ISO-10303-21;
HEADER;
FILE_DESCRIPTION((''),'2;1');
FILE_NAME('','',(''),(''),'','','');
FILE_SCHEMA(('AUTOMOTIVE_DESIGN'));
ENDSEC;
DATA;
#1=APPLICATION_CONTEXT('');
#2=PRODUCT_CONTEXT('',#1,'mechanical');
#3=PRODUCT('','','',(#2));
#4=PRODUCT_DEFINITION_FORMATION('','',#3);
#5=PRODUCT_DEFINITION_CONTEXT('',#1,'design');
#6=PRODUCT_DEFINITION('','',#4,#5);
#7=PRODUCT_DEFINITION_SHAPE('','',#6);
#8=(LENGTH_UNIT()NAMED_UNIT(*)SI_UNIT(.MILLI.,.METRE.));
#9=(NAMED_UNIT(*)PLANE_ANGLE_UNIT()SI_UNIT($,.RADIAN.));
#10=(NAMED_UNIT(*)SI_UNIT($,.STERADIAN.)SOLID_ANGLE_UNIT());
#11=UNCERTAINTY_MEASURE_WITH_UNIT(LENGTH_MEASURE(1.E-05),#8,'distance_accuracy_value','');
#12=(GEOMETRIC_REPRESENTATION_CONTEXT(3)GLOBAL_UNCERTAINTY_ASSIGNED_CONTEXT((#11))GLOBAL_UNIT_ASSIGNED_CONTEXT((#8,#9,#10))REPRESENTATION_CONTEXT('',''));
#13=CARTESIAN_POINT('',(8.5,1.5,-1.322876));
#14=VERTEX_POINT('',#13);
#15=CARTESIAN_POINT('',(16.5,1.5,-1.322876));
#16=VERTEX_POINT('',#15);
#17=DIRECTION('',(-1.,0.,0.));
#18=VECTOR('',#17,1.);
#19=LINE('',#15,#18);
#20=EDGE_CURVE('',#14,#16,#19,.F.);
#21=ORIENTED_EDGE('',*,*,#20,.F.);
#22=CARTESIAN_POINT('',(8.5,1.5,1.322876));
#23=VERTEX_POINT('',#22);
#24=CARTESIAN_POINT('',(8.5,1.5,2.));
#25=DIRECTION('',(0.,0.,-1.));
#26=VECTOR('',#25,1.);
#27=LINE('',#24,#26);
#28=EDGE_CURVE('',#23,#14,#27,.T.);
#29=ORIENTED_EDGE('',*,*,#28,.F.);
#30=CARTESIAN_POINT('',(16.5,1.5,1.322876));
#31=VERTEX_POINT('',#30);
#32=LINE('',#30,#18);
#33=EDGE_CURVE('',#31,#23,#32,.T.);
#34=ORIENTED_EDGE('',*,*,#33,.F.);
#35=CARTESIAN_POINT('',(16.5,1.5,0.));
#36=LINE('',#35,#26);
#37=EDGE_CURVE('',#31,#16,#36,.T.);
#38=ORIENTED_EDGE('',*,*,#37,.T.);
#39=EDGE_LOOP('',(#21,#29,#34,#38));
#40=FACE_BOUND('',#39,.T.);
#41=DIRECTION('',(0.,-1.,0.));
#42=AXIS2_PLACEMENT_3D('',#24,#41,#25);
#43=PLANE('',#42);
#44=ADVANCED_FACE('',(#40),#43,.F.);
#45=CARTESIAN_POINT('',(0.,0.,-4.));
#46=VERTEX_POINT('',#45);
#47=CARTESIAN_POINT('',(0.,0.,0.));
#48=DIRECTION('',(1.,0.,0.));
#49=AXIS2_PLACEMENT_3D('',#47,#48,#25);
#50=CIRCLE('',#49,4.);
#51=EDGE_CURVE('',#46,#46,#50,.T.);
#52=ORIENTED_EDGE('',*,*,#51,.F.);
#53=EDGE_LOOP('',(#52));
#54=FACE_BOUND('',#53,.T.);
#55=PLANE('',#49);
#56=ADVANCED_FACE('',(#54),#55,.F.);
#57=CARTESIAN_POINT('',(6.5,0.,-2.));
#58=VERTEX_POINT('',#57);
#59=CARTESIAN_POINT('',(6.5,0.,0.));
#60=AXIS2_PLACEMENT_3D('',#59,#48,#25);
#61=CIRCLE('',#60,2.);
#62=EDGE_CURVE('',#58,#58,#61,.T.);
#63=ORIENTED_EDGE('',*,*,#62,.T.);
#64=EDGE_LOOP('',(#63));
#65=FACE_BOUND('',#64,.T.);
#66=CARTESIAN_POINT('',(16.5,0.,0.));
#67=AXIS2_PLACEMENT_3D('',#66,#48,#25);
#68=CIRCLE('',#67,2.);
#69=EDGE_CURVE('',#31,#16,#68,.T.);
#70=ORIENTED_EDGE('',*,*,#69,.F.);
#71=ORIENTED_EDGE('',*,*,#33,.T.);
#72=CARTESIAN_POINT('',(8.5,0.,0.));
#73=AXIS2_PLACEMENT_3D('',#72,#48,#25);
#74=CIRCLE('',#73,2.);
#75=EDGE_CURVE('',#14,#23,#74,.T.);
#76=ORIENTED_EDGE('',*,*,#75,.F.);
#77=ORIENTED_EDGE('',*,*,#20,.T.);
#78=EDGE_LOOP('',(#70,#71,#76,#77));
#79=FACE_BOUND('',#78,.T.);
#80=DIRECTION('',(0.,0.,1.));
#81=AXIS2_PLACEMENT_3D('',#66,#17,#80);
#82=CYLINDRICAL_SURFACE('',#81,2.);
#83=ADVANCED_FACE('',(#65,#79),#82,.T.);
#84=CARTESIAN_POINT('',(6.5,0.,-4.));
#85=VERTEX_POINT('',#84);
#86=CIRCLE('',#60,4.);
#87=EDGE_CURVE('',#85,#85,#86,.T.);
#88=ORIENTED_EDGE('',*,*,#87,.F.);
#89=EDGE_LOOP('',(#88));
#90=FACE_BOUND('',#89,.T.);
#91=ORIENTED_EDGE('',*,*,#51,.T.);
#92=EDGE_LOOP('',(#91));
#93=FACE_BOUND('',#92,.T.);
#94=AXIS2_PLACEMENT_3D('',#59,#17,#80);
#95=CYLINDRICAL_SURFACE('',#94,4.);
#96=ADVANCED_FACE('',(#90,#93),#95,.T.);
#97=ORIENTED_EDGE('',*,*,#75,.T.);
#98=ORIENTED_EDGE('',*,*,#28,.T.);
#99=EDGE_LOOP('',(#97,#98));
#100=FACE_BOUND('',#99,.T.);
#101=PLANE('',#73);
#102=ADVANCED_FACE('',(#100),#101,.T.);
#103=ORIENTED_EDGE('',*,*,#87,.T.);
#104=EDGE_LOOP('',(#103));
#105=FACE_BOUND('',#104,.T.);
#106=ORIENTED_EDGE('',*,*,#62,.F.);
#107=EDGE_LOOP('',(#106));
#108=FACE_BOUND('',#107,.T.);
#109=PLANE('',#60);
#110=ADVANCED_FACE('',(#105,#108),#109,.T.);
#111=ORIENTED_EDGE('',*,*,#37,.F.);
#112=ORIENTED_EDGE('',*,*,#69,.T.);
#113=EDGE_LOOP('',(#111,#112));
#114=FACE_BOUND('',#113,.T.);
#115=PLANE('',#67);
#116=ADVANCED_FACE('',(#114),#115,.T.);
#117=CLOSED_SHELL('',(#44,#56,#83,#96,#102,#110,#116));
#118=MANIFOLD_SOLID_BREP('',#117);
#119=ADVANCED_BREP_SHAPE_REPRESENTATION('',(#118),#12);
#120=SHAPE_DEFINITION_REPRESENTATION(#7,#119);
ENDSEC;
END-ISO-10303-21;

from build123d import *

# Parameters (mm, degrees)
ESQUISSE1_R             = 4
BOSS_EXTRU_1_DEPTH      = 6.5
ESQUISSE2_R             = 2
BOSS_EXTRU_2_DEPTH      = 10
ESQUISSE3_W             = 4
ESQUISSE3_H             = 0.5
ENL_V_MAT_EXTRU_1_DEPTH = 8


with BuildPart() as part:
    # Esquisse1 → Boss.-Extru.1 (new body)
    with BuildSketch(Plane(origin=(0, 0, 0), x_dir=(0, 0, -1), z_dir=(1, 0, 0))):
        Circle(ESQUISSE1_R)
    extrude(amount=BOSS_EXTRU_1_DEPTH)

    # Esquisse2 → Boss.-Extru.2 (add)
    with BuildSketch(Plane(origin=(6.5, 0, 0), x_dir=(0, 0, -1), z_dir=(1, 0, 0))):
        Circle(ESQUISSE2_R)
    extrude(amount=BOSS_EXTRU_2_DEPTH)

    # Esquisse3 → Enlèv. mat.-Extru.1 (cut)
    with BuildSketch(Plane(origin=(16.5, 0, 0), x_dir=(0, 0, -1), z_dir=(1, 0, 0))):
        with Locations((0, 1.75)):
            Rectangle(ESQUISSE3_W, ESQUISSE3_H)
    extrude(amount=-ENL_V_MAT_EXTRU_1_DEPTH, mode=Mode.SUBTRACT)


solid = part.part
